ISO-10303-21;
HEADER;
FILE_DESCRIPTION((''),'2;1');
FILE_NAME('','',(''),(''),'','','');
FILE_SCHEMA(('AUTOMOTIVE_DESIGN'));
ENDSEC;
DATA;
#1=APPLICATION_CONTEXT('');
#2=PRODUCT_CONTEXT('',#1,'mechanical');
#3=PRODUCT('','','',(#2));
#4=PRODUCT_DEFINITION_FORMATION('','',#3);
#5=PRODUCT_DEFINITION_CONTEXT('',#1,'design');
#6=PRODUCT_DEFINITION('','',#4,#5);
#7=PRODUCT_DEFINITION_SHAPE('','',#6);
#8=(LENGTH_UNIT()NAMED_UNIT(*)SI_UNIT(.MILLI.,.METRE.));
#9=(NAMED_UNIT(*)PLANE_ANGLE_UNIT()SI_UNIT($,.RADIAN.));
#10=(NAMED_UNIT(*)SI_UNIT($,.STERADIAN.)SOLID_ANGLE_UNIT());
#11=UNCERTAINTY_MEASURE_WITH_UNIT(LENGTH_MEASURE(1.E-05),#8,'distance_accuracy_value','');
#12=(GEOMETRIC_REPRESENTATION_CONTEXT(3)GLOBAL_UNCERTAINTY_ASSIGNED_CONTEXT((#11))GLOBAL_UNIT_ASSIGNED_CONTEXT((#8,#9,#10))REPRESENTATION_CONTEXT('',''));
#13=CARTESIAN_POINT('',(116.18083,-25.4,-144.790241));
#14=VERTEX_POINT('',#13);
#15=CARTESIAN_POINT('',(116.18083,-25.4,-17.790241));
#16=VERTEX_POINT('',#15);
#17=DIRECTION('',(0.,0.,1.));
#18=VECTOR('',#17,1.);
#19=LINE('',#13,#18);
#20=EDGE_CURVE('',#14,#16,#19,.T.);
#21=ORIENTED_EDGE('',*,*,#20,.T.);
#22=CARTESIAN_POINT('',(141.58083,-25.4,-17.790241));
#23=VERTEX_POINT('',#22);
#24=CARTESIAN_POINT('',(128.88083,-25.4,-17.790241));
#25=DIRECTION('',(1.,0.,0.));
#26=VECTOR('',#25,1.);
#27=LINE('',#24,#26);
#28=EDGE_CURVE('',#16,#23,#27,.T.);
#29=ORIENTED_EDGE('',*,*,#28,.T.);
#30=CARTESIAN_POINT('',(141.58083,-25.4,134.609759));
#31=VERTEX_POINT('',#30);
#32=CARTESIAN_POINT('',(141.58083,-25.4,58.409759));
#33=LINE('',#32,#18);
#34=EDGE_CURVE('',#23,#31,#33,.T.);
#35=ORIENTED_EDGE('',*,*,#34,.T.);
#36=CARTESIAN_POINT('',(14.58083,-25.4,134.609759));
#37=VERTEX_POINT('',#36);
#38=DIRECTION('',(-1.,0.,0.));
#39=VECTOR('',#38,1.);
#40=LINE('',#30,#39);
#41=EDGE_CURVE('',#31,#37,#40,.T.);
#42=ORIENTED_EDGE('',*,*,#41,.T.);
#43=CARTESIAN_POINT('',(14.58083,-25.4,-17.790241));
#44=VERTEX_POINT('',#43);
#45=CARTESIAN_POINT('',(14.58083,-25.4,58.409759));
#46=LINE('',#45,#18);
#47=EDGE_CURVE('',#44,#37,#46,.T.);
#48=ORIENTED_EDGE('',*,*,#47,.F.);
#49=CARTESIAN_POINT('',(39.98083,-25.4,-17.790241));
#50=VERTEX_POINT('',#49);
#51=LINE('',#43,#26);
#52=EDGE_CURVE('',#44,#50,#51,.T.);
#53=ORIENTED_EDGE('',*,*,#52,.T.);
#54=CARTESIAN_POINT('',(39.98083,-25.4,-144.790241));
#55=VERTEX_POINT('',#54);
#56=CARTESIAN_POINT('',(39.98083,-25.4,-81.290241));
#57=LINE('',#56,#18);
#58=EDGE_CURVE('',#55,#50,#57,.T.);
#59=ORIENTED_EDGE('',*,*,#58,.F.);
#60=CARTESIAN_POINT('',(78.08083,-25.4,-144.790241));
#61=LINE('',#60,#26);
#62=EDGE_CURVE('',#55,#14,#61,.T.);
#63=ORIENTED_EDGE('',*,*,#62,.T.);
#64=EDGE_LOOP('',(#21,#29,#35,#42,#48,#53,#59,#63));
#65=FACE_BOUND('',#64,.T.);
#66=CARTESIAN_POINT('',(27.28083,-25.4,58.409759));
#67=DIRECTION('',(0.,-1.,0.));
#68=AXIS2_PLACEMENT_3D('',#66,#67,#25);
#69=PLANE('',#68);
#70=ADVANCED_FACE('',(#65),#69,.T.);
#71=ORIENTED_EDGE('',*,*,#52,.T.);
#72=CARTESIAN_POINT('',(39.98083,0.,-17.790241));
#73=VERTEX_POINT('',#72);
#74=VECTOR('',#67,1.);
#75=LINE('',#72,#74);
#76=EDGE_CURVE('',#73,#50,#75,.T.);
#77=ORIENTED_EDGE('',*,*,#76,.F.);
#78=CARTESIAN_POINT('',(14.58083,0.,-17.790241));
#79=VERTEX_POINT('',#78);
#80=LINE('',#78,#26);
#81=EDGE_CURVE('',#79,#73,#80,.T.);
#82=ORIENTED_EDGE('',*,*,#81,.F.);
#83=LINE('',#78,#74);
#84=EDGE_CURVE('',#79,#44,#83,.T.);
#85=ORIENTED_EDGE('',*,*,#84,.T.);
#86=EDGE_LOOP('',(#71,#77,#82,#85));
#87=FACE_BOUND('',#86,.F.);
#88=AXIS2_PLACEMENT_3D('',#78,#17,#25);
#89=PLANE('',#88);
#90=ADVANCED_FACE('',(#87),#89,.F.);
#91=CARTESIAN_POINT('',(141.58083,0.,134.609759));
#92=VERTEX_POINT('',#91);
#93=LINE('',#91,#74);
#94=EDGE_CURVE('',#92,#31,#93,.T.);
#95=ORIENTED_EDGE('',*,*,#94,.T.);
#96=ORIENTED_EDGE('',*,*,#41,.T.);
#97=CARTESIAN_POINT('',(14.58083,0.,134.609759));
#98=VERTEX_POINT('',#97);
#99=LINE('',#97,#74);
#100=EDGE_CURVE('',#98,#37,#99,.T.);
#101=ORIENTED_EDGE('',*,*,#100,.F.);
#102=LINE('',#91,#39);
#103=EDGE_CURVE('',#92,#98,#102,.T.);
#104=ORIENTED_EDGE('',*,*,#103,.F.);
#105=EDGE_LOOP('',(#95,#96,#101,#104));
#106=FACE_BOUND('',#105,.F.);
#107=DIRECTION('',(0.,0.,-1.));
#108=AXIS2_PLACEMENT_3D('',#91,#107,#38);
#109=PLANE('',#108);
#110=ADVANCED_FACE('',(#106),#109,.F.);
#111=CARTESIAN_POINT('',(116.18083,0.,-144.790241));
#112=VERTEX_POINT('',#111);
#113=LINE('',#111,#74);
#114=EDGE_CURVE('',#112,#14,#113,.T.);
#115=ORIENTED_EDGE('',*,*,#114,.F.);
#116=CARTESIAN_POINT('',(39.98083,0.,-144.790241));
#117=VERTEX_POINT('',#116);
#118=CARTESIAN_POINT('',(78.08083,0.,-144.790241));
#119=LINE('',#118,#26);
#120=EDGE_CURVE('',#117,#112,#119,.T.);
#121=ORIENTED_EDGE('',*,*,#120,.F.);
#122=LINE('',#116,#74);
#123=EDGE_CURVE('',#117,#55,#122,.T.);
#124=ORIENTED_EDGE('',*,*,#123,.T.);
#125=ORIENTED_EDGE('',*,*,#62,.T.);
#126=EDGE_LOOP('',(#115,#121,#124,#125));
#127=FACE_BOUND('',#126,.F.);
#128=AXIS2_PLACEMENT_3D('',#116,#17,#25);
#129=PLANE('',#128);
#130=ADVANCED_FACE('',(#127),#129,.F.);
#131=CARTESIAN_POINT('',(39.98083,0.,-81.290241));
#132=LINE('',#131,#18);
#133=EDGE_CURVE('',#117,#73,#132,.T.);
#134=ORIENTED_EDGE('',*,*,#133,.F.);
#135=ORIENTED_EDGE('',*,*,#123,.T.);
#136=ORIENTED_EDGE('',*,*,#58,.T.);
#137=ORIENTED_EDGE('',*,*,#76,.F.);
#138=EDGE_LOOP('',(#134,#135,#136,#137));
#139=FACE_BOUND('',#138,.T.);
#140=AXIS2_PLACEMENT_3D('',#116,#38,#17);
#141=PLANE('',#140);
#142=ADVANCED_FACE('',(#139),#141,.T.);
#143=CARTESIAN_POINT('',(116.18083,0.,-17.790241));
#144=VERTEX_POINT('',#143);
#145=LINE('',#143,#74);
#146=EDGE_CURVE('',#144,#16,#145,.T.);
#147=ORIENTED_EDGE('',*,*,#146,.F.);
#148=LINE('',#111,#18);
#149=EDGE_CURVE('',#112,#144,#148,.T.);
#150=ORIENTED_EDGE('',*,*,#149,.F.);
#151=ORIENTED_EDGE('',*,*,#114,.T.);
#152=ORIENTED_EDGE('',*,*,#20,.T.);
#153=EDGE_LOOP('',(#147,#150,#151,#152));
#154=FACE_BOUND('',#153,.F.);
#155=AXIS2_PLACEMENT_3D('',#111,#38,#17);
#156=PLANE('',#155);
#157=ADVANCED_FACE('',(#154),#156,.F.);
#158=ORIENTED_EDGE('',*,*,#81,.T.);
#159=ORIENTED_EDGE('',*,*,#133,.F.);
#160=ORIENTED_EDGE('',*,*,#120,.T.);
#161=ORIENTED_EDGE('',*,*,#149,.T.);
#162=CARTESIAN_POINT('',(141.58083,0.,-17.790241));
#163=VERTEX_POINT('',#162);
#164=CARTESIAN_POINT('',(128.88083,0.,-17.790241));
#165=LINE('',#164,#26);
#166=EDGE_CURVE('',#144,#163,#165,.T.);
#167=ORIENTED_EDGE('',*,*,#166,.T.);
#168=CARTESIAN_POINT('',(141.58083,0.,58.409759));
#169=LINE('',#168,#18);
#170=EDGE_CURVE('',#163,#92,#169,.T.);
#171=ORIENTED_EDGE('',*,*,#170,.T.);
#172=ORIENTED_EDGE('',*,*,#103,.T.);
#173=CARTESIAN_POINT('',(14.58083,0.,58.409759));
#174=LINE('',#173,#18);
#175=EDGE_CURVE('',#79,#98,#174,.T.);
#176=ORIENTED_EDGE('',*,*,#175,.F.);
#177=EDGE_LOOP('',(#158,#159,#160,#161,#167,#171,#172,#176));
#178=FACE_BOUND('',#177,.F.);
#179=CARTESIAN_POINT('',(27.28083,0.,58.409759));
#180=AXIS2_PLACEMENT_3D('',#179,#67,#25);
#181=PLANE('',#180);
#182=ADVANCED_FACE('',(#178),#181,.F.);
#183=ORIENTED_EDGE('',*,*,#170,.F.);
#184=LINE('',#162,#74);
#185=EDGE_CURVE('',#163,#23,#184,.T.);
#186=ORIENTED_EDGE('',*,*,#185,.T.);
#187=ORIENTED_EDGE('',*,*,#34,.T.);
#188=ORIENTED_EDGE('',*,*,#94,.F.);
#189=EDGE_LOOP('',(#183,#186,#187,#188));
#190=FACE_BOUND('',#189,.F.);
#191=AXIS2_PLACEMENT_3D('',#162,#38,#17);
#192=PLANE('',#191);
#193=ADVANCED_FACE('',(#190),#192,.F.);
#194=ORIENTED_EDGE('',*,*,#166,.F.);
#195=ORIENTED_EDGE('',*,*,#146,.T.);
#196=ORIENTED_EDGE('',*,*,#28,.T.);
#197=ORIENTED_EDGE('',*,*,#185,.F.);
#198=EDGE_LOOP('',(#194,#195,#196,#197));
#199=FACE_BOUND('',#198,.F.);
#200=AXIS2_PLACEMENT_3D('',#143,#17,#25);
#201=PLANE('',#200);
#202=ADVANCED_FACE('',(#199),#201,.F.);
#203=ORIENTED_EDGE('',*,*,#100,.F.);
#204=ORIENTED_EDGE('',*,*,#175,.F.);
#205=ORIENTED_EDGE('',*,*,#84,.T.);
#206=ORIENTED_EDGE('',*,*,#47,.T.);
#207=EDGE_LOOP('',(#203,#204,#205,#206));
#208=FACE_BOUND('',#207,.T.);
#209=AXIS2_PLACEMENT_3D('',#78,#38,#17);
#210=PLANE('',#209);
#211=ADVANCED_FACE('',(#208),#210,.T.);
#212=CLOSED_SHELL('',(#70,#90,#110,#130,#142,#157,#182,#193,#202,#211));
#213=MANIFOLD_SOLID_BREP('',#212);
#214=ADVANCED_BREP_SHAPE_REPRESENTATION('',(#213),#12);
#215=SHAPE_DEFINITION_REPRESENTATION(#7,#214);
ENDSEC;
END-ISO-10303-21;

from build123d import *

# Parameters (mm, degrees)
F0_W     = 25.4
F0_H     = 152.4
F0_W_2   = 76.2
F0_H_2   = 127
F1_DEPTH = 25.4


with BuildPart() as f1:
    # F0 (on Front) → F1 (new body)
    with BuildSketch(Plane.XZ):
        with Locations((27.28083, 58.409759)):
            Rectangle(F0_W, F0_H)
        with Locations((78.08083, 58.409759)):
            Rectangle(F0_W_2, F0_H)
        with Locations((78.08083, -81.290241)):
            Rectangle(F0_W_2, F0_H_2)
        with Locations((128.88083, 58.409759)):
            Rectangle(F0_W, F0_H)
    extrude(amount=F1_DEPTH)


solid = f1.part
